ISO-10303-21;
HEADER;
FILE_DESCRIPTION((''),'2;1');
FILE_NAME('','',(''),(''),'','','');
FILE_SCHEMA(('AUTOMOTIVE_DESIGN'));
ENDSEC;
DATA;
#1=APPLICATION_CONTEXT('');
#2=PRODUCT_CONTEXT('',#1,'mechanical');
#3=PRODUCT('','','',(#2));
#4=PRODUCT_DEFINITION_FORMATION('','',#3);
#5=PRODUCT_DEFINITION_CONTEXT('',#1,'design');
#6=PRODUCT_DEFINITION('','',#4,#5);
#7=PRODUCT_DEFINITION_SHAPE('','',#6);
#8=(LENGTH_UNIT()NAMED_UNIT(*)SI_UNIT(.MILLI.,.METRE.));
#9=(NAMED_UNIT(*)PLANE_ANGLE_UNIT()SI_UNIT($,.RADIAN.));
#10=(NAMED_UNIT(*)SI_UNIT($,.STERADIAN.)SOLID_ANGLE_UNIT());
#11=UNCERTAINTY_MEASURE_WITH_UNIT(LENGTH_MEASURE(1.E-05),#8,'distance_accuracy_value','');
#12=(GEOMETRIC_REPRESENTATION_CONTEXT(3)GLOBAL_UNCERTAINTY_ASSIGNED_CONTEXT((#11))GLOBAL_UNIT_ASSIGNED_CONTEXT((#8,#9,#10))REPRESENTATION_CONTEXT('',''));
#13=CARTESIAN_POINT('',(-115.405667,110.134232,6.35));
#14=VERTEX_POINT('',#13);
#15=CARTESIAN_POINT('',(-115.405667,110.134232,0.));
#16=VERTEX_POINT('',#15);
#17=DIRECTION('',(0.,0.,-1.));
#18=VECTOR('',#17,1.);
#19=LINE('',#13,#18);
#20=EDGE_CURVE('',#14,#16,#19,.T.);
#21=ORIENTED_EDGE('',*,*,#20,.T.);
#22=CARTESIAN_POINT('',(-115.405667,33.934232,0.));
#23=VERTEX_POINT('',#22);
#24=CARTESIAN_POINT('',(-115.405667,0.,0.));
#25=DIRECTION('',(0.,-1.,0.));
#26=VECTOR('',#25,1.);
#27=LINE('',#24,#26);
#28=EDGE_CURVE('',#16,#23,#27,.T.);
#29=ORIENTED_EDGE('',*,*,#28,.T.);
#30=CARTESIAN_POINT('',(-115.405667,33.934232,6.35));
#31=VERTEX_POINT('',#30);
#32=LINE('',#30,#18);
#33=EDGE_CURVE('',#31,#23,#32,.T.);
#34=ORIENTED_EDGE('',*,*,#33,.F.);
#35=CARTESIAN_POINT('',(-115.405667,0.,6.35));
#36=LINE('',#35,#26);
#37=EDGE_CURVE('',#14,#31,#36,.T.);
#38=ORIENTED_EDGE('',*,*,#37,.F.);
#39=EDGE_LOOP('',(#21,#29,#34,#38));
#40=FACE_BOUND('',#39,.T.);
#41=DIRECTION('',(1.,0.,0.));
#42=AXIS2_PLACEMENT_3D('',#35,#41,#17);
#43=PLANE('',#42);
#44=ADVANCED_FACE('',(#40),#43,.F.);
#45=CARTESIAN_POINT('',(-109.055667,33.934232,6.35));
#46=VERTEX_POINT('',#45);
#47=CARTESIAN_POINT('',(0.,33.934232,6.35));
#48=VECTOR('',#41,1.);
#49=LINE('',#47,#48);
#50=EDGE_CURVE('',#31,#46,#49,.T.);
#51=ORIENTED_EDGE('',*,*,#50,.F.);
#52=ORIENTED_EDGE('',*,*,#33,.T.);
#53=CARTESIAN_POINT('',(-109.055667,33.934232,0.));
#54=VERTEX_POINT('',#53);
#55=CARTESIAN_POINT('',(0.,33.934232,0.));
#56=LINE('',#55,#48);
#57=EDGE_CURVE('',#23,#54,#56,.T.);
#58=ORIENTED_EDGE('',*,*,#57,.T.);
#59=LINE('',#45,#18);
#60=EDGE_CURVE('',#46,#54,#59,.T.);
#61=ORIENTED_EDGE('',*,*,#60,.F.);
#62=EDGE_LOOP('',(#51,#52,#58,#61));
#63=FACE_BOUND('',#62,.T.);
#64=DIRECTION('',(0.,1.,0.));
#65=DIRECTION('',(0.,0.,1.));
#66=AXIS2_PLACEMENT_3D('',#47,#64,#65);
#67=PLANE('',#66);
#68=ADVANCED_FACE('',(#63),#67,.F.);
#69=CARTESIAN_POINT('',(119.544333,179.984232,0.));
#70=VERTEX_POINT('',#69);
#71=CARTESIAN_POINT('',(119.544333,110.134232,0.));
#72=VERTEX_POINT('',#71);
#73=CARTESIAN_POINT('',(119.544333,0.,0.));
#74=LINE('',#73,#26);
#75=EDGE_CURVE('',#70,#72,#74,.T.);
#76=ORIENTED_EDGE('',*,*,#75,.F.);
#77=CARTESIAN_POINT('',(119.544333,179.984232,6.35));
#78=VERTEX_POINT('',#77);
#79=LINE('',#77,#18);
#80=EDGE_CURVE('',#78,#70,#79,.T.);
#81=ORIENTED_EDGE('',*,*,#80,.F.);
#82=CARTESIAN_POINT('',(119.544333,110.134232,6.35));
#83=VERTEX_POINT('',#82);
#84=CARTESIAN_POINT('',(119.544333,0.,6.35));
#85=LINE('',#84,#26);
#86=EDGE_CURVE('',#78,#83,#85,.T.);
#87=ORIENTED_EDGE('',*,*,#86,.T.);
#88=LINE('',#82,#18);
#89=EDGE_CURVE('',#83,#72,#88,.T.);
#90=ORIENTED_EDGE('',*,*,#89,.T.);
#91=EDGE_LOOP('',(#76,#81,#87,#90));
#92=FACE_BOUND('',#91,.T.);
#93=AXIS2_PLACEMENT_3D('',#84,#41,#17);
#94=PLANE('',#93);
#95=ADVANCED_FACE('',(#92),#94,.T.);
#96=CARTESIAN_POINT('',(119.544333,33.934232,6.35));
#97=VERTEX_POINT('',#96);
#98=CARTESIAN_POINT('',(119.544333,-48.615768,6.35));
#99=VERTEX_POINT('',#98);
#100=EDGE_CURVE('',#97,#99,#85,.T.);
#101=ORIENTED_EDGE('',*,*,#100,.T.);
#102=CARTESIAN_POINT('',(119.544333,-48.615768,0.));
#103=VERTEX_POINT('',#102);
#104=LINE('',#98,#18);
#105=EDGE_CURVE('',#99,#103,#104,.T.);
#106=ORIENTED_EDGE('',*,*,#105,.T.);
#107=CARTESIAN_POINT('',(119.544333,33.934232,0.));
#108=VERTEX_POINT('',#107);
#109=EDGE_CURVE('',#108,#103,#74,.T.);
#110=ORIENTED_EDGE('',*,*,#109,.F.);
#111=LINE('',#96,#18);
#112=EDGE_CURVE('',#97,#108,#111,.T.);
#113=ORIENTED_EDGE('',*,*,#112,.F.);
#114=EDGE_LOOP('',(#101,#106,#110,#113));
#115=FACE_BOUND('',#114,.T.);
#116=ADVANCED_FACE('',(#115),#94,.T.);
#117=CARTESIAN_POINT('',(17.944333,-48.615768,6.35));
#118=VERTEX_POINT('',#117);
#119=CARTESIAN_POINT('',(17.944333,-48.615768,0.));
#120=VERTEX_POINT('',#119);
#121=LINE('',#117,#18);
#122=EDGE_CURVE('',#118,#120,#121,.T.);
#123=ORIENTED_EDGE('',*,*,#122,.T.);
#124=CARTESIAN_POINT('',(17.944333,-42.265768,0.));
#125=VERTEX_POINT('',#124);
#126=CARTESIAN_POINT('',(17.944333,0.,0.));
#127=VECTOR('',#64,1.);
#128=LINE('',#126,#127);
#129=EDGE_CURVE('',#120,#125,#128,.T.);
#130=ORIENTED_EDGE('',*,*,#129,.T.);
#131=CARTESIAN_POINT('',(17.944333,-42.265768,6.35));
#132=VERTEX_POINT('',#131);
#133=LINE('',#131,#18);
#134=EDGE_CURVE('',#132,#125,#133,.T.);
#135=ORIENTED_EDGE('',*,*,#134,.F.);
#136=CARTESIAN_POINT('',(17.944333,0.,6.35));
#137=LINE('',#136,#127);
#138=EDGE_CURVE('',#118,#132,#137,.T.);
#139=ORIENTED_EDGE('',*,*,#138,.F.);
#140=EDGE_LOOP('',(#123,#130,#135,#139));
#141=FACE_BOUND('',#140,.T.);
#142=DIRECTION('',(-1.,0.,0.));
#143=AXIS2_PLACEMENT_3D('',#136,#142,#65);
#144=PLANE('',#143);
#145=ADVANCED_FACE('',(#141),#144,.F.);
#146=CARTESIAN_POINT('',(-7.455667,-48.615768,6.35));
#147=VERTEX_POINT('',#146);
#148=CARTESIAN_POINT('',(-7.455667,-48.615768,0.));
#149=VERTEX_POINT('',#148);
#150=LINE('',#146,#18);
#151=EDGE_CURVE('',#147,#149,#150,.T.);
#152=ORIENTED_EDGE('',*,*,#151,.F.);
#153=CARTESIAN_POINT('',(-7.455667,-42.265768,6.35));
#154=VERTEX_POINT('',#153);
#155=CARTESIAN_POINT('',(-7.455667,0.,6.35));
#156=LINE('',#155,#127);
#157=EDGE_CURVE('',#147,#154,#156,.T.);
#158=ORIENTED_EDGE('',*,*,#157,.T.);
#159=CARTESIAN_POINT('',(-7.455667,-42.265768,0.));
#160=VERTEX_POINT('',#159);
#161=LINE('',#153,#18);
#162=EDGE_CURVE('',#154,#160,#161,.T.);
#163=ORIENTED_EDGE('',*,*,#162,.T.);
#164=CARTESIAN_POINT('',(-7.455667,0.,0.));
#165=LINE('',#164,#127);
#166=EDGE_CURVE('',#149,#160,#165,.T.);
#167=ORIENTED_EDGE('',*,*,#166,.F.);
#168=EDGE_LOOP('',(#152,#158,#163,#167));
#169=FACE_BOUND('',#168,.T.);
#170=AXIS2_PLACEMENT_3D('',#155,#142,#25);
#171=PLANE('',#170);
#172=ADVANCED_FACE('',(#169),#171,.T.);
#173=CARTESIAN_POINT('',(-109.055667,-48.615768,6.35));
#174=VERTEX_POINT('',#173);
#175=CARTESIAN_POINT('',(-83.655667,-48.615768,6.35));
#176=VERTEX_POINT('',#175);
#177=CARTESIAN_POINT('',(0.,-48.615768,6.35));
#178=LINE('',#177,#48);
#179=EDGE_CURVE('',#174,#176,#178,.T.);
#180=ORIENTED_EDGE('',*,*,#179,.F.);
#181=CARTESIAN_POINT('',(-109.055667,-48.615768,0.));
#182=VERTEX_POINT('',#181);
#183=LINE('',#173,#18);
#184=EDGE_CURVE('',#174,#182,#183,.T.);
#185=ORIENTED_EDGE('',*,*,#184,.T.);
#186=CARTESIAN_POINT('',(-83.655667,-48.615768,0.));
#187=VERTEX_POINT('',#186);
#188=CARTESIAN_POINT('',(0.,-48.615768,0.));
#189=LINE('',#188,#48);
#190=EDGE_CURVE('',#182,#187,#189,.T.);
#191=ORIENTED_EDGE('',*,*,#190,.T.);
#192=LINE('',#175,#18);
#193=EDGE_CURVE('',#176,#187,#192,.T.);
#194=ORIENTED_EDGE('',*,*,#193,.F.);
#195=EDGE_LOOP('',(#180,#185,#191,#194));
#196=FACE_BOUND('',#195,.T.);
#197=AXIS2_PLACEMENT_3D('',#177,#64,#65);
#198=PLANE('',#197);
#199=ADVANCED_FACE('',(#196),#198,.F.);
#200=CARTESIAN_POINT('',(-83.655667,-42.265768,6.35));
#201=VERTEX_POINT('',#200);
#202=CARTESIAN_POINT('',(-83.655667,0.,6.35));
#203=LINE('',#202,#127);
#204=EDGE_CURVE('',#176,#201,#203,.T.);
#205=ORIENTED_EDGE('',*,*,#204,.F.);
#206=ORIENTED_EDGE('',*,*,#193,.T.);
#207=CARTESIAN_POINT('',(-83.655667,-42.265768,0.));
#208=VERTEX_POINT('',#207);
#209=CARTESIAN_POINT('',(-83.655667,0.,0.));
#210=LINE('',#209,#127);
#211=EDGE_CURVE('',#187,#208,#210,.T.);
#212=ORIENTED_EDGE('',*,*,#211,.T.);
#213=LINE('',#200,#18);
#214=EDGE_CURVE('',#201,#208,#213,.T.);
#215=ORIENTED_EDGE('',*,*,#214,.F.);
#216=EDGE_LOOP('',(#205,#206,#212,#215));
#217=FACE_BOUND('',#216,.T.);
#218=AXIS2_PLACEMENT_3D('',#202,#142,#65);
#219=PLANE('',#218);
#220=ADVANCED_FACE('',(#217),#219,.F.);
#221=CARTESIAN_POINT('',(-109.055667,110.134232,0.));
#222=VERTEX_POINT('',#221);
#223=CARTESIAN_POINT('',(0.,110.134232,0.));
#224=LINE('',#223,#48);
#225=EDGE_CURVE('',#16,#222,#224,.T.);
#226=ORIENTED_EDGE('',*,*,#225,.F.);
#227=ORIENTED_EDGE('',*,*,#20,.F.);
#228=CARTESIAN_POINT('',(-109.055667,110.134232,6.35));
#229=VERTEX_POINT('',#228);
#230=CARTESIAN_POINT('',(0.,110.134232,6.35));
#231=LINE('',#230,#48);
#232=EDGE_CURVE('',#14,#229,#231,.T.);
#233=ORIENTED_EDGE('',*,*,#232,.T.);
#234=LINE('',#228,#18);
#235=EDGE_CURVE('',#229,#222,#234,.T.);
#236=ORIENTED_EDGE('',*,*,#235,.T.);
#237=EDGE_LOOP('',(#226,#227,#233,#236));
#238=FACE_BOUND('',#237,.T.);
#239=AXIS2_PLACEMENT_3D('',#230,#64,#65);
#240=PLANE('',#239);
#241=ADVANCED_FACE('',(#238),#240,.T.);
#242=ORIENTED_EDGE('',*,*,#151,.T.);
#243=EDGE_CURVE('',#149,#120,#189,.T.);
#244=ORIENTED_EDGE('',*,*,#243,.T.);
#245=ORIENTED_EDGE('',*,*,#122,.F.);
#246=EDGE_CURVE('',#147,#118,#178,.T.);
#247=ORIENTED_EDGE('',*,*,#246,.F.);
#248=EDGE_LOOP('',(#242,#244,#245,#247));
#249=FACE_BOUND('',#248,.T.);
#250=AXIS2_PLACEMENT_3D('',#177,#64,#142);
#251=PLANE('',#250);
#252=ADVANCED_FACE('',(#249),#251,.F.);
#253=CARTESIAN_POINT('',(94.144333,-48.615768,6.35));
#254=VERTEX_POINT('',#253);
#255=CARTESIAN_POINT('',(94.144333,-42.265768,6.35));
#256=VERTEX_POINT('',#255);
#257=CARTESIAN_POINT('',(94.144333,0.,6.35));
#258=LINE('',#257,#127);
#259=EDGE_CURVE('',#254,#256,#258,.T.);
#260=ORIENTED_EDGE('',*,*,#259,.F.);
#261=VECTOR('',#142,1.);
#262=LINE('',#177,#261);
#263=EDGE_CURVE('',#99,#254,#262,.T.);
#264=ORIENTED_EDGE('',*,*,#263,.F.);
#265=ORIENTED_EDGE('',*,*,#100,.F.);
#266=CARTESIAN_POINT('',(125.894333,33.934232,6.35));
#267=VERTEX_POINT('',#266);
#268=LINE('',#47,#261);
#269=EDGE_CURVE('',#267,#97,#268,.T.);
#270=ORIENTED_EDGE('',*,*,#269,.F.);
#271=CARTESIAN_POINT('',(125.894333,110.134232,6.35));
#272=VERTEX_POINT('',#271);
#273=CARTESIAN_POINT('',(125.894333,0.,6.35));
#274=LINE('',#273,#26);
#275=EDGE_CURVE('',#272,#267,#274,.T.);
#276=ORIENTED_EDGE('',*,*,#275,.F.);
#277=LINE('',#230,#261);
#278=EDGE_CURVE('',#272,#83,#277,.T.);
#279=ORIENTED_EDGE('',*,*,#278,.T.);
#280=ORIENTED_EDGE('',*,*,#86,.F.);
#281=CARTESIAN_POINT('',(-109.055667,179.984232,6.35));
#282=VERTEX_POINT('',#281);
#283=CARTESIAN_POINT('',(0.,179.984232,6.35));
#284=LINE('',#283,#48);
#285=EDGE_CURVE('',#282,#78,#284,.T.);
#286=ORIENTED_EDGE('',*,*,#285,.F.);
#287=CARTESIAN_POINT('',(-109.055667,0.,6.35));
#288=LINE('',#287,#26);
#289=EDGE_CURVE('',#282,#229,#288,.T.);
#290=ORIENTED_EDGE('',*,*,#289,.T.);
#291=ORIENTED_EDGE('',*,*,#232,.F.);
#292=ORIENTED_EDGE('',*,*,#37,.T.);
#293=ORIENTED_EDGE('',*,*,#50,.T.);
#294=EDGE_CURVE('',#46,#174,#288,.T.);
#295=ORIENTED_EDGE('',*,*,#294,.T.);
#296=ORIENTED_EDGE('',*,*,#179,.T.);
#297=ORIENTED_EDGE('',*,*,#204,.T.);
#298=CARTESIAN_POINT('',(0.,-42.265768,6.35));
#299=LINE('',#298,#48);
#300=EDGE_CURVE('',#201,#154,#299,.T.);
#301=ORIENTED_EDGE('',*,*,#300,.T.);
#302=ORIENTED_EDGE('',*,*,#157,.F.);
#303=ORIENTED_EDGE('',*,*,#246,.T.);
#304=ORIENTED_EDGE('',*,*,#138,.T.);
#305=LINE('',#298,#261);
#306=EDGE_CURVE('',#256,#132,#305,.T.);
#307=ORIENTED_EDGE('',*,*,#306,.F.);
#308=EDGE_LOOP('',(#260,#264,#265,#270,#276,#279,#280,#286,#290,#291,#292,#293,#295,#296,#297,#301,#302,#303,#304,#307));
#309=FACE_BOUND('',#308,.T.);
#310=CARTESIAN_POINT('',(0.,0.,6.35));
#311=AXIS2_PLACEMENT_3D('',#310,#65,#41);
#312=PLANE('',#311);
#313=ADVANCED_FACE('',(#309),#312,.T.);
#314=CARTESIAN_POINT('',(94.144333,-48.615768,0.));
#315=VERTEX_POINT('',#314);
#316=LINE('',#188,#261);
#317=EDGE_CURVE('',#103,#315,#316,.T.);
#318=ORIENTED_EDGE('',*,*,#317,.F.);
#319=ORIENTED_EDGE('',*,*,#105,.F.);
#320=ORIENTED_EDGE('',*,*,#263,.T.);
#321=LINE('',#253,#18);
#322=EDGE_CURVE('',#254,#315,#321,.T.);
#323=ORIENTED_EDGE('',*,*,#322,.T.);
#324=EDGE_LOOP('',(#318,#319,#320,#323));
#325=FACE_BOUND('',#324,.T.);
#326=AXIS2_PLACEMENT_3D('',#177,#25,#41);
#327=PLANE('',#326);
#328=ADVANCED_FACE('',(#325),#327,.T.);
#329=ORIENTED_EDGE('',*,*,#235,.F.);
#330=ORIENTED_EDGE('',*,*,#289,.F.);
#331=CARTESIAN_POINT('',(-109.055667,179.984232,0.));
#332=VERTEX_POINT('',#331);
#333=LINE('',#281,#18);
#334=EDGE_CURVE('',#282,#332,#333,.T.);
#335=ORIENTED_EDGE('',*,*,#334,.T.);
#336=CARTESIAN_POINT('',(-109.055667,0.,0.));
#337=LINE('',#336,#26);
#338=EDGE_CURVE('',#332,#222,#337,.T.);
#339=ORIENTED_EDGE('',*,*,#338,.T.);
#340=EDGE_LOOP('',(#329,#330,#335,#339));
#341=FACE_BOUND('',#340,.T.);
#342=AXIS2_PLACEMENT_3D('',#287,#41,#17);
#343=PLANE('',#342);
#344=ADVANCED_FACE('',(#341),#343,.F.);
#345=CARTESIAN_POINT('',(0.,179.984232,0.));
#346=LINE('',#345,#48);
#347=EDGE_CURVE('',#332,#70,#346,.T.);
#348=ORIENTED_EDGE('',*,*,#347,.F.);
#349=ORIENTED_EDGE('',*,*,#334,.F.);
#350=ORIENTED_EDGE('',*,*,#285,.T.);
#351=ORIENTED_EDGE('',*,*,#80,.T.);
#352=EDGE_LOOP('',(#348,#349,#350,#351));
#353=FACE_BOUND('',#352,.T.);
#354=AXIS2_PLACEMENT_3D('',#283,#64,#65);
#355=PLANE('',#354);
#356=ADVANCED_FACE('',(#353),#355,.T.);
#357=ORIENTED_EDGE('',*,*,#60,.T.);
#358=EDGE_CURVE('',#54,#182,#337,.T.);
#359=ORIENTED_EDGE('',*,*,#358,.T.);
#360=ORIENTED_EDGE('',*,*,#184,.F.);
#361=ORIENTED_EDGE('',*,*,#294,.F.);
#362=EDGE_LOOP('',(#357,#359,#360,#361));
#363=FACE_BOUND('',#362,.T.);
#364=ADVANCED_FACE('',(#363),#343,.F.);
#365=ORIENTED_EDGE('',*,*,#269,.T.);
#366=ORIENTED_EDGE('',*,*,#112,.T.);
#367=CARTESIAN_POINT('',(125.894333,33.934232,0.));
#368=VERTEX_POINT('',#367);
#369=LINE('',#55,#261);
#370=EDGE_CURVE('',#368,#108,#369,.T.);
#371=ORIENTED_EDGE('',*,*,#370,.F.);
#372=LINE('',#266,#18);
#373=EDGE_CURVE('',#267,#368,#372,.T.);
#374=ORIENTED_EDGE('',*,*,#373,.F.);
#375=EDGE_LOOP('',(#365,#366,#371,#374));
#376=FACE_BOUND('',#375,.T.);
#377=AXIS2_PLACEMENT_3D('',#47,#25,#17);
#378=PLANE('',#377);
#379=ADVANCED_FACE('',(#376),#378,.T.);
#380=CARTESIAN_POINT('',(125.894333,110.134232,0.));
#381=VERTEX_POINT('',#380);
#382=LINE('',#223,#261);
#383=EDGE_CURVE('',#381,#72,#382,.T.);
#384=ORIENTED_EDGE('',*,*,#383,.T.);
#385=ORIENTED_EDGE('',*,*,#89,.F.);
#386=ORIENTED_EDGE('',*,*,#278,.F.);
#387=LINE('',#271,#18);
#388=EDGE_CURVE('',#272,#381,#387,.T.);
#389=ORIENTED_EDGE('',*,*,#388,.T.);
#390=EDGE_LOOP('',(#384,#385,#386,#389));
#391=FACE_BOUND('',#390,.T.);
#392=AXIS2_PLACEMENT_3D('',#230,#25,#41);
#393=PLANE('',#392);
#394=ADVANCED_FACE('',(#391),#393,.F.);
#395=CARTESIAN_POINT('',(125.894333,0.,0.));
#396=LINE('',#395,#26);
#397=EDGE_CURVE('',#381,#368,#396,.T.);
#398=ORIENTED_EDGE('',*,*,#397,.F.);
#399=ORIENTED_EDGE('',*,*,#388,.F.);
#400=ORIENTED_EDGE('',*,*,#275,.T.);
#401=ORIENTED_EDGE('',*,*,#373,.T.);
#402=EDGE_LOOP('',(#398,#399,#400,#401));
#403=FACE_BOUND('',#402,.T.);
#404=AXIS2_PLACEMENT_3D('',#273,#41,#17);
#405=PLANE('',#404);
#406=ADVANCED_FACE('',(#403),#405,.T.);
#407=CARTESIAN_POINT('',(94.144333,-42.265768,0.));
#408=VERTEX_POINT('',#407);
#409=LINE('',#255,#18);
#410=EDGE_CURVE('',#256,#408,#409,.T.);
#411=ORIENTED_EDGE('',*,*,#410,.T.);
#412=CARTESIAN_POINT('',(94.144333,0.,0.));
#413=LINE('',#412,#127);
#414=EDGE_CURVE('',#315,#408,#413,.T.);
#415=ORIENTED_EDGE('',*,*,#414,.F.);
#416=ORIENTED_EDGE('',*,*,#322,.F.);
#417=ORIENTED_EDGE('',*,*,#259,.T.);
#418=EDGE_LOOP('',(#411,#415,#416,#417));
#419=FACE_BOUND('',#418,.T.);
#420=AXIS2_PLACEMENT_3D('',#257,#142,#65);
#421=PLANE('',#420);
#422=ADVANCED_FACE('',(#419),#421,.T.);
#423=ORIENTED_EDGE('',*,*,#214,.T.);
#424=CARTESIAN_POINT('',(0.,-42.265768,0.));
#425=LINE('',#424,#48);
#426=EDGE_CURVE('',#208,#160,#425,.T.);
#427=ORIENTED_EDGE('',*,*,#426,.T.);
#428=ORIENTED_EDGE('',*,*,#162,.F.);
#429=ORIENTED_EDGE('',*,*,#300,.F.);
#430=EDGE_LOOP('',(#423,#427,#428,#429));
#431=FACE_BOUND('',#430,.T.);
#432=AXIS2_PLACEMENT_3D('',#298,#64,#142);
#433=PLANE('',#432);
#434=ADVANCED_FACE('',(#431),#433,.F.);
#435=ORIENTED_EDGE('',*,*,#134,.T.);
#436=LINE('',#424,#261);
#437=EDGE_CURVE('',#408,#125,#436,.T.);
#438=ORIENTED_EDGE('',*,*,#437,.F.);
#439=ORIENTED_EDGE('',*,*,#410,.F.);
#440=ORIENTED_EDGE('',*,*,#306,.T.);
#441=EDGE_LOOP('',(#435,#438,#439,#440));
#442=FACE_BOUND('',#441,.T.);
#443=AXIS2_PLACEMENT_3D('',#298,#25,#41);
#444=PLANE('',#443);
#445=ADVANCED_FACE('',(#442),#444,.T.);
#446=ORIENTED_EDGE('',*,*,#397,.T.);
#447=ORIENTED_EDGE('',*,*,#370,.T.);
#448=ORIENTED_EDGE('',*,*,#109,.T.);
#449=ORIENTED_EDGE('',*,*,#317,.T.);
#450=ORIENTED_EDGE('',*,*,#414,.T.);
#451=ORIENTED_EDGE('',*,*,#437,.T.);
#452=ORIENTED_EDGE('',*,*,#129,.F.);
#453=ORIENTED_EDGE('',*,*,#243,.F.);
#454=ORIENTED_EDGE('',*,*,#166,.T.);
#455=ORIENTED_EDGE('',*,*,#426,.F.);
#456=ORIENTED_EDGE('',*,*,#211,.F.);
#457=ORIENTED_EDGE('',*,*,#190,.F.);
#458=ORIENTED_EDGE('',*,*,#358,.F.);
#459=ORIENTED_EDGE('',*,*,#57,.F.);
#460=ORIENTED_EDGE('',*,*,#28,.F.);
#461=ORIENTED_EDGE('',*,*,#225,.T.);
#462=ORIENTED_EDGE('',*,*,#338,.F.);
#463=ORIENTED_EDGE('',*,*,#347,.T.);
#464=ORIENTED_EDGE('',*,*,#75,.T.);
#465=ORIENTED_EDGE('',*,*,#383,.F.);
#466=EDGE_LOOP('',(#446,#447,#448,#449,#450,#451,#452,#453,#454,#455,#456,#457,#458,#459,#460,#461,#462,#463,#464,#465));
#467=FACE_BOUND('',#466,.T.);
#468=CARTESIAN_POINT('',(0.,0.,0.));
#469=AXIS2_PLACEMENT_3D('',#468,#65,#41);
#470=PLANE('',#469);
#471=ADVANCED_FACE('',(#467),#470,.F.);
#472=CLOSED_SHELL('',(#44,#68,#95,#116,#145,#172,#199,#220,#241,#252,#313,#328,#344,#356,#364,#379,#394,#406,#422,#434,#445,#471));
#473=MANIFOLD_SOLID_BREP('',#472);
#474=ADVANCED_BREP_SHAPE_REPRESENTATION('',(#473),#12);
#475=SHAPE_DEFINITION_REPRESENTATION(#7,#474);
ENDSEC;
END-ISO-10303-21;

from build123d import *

# Parameters (mm, degrees)
SKETCH1_W           = 6.35
SKETCH1_H           = 76.2
BOSS_EXTRUDE1_DEPTH = 6.35


with BuildPart() as part:
    # Sketch1 → Boss-Extrude1 (new body)
    with BuildSketch(Plane.XY):
        Polygon((119.544333082, -48.615768355), (94.144333082, -48.615768355), (94.144333082, -42.265768355), (17.944333082, -42.265768355), (17.944333082, -48.615768355), (5.244333082, -48.615768355), (-7.455666918, -48.615768355), (-7.455666918, -42.265768355), (-83.655666918, -42.265768355), (-83.655666918, -48.615768355), (-109.055666918, -48.615768355), (-109.055666918, 179.984231645), (119.544333082, 179.984231645), align=None)
        with Locations((-112.230666918, 72.034231645)):
            Rectangle(SKETCH1_W, SKETCH1_H)
        with Locations((122.719333082, 72.034231645)):
            Rectangle(SKETCH1_W, SKETCH1_H)
    extrude(amount=BOSS_EXTRUDE1_DEPTH)


solid = part.part
